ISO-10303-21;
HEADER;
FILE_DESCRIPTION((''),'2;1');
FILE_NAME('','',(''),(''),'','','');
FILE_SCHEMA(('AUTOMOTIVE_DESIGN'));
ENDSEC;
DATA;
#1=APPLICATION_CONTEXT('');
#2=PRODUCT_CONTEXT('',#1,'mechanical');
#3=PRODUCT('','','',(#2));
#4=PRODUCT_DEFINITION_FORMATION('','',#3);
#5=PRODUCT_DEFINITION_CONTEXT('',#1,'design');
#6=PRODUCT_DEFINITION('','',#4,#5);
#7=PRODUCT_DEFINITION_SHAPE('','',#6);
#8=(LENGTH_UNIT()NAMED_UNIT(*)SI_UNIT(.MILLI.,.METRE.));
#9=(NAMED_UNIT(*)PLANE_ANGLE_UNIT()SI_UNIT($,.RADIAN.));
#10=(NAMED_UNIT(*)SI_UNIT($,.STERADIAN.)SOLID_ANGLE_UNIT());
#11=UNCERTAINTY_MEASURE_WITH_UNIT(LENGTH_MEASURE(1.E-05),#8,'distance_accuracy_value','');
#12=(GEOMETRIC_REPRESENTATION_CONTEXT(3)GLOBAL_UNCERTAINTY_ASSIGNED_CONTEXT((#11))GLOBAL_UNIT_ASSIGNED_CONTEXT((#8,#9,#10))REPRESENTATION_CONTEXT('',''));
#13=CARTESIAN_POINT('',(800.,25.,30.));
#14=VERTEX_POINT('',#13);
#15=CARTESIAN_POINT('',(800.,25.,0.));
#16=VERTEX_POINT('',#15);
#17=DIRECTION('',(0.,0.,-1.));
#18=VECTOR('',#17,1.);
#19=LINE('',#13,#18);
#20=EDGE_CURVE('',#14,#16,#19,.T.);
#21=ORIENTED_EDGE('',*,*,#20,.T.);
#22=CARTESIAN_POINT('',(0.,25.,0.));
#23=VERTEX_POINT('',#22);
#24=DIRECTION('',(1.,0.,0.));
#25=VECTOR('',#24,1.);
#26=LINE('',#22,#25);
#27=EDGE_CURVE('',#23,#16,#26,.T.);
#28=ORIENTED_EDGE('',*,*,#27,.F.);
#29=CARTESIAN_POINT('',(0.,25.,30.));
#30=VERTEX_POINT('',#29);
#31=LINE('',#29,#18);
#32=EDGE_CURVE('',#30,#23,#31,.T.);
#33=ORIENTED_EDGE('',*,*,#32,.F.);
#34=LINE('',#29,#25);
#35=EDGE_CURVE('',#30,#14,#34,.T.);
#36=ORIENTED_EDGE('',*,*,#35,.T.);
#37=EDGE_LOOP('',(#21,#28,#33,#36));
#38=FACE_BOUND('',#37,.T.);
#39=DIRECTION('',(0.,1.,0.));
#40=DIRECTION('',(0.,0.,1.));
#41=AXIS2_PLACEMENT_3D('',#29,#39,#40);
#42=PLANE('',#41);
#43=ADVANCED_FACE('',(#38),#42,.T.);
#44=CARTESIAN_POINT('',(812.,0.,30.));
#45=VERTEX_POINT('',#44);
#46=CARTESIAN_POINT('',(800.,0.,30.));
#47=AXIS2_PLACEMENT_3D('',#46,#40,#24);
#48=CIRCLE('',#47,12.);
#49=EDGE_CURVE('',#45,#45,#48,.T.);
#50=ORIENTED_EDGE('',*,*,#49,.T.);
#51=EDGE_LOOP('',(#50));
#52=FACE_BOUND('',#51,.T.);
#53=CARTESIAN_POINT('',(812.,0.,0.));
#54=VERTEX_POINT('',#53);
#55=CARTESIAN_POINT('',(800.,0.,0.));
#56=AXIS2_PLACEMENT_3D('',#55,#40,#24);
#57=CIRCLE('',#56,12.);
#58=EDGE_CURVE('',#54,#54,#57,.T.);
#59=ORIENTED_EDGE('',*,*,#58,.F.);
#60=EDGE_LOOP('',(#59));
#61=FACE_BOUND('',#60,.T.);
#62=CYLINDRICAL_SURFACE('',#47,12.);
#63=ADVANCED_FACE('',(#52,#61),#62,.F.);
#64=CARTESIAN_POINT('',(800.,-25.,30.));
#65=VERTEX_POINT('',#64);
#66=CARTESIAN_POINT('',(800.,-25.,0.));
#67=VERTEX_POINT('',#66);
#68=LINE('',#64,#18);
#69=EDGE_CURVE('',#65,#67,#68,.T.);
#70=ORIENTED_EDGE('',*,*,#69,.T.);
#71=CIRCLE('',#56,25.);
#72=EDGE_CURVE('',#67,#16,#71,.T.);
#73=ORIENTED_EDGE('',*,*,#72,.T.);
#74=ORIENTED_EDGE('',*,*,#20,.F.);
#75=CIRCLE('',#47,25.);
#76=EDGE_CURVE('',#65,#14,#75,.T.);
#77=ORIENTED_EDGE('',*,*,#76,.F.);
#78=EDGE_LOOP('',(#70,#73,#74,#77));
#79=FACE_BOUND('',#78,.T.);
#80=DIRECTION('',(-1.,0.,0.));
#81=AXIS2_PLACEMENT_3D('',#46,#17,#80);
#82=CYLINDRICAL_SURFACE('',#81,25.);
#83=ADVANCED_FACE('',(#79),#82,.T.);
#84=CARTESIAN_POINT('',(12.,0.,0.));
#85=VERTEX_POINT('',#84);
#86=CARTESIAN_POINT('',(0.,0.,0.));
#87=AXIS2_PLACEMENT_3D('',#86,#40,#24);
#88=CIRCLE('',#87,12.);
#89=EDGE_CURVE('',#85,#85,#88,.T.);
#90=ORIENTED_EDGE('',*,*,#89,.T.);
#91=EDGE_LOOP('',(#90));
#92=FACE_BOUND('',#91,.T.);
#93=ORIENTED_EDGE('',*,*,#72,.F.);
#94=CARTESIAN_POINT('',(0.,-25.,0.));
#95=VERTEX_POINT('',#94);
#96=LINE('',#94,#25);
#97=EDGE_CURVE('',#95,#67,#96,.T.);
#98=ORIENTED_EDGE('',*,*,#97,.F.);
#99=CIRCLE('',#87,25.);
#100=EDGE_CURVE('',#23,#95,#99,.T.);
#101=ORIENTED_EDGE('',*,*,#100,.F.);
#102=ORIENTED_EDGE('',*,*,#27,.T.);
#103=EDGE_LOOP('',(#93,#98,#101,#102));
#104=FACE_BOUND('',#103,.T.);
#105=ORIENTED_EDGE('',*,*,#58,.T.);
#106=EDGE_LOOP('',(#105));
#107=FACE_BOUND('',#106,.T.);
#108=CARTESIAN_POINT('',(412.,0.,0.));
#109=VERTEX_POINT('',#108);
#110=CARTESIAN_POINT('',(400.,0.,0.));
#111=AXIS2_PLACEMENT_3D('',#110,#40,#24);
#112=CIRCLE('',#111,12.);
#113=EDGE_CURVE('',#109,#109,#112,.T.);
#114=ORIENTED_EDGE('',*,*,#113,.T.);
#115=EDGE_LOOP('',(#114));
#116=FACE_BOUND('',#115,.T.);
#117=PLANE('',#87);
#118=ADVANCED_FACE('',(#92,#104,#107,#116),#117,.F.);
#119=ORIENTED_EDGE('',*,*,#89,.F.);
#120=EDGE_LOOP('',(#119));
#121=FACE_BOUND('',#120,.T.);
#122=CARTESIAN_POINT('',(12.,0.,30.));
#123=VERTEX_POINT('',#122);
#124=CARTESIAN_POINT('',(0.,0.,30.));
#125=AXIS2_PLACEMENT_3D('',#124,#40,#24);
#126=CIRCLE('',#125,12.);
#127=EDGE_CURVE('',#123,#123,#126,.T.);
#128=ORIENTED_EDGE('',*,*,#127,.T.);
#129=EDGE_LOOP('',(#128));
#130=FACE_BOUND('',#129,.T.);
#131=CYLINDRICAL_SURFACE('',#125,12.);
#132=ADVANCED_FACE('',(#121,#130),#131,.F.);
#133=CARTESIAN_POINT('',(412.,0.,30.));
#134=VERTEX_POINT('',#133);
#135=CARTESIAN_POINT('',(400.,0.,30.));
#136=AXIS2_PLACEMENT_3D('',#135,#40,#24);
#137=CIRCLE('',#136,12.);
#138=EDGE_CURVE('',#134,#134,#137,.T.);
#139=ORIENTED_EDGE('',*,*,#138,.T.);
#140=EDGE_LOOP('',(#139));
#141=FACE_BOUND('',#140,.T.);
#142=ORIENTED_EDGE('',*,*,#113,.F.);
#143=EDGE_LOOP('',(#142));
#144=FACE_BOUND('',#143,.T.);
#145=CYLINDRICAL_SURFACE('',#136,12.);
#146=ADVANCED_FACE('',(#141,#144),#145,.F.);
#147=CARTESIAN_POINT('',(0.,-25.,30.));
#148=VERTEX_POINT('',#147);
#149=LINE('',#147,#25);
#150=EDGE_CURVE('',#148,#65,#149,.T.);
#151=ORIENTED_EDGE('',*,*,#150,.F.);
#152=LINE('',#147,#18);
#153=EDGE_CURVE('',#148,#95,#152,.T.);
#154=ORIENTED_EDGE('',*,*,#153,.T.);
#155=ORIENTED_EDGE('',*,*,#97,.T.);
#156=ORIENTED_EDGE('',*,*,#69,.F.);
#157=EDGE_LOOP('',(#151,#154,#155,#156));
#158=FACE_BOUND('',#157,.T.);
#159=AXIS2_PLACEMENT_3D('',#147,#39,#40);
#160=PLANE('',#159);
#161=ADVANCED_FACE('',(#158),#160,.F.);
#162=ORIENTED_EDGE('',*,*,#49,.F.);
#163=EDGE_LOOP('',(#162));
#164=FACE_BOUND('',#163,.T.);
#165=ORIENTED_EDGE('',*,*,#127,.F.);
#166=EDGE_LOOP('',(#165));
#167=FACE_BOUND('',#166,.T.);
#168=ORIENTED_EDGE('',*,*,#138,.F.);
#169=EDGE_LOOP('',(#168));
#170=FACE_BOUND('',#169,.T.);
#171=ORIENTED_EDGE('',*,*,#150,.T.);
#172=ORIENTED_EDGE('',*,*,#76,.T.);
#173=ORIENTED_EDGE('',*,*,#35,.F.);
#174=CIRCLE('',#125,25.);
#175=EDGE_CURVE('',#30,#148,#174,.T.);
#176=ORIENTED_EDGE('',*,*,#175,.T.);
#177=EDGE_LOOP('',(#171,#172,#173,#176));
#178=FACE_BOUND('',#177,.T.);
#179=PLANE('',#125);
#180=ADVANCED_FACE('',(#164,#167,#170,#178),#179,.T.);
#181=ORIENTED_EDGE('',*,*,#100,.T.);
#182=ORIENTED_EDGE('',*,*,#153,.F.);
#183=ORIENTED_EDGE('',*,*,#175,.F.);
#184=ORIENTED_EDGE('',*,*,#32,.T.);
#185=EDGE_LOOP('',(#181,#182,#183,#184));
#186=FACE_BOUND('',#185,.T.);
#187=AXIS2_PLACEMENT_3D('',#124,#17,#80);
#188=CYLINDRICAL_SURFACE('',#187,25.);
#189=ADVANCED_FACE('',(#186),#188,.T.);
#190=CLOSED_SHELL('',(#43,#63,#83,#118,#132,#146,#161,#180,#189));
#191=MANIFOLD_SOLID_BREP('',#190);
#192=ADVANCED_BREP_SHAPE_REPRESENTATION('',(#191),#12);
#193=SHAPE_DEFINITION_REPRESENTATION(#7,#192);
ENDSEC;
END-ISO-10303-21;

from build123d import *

# Parameters (mm, degrees)
BOSS_EXTRUDE2_DEPTH   = 30
F_3_0MM_DOWEL_HOLE1_D = 24


with BuildPart() as part:
    # Sketch1 → Boss-Extrude2 (new body)
    with BuildSketch(Plane.XY):
        with BuildLine():
            Line((0, 25), (800, 25))
            ThreePointArc((800, 25), (825, 0), (800, -25))
            Line((800, -25), (0, -25))
            ThreePointArc((0, -25), (-25, 0), (0, 25))
        make_face()
    extrude(amount=BOSS_EXTRUDE2_DEPTH)

    # Ø3.0mm Dowel Hole1 (through all)
    with Locations(Plane.XY.offset(30)):
        with Locations((0, 0), (800, 0), (400, 0)):
            Hole(F_3_0MM_DOWEL_HOLE1_D / 2)


solid = part.part
